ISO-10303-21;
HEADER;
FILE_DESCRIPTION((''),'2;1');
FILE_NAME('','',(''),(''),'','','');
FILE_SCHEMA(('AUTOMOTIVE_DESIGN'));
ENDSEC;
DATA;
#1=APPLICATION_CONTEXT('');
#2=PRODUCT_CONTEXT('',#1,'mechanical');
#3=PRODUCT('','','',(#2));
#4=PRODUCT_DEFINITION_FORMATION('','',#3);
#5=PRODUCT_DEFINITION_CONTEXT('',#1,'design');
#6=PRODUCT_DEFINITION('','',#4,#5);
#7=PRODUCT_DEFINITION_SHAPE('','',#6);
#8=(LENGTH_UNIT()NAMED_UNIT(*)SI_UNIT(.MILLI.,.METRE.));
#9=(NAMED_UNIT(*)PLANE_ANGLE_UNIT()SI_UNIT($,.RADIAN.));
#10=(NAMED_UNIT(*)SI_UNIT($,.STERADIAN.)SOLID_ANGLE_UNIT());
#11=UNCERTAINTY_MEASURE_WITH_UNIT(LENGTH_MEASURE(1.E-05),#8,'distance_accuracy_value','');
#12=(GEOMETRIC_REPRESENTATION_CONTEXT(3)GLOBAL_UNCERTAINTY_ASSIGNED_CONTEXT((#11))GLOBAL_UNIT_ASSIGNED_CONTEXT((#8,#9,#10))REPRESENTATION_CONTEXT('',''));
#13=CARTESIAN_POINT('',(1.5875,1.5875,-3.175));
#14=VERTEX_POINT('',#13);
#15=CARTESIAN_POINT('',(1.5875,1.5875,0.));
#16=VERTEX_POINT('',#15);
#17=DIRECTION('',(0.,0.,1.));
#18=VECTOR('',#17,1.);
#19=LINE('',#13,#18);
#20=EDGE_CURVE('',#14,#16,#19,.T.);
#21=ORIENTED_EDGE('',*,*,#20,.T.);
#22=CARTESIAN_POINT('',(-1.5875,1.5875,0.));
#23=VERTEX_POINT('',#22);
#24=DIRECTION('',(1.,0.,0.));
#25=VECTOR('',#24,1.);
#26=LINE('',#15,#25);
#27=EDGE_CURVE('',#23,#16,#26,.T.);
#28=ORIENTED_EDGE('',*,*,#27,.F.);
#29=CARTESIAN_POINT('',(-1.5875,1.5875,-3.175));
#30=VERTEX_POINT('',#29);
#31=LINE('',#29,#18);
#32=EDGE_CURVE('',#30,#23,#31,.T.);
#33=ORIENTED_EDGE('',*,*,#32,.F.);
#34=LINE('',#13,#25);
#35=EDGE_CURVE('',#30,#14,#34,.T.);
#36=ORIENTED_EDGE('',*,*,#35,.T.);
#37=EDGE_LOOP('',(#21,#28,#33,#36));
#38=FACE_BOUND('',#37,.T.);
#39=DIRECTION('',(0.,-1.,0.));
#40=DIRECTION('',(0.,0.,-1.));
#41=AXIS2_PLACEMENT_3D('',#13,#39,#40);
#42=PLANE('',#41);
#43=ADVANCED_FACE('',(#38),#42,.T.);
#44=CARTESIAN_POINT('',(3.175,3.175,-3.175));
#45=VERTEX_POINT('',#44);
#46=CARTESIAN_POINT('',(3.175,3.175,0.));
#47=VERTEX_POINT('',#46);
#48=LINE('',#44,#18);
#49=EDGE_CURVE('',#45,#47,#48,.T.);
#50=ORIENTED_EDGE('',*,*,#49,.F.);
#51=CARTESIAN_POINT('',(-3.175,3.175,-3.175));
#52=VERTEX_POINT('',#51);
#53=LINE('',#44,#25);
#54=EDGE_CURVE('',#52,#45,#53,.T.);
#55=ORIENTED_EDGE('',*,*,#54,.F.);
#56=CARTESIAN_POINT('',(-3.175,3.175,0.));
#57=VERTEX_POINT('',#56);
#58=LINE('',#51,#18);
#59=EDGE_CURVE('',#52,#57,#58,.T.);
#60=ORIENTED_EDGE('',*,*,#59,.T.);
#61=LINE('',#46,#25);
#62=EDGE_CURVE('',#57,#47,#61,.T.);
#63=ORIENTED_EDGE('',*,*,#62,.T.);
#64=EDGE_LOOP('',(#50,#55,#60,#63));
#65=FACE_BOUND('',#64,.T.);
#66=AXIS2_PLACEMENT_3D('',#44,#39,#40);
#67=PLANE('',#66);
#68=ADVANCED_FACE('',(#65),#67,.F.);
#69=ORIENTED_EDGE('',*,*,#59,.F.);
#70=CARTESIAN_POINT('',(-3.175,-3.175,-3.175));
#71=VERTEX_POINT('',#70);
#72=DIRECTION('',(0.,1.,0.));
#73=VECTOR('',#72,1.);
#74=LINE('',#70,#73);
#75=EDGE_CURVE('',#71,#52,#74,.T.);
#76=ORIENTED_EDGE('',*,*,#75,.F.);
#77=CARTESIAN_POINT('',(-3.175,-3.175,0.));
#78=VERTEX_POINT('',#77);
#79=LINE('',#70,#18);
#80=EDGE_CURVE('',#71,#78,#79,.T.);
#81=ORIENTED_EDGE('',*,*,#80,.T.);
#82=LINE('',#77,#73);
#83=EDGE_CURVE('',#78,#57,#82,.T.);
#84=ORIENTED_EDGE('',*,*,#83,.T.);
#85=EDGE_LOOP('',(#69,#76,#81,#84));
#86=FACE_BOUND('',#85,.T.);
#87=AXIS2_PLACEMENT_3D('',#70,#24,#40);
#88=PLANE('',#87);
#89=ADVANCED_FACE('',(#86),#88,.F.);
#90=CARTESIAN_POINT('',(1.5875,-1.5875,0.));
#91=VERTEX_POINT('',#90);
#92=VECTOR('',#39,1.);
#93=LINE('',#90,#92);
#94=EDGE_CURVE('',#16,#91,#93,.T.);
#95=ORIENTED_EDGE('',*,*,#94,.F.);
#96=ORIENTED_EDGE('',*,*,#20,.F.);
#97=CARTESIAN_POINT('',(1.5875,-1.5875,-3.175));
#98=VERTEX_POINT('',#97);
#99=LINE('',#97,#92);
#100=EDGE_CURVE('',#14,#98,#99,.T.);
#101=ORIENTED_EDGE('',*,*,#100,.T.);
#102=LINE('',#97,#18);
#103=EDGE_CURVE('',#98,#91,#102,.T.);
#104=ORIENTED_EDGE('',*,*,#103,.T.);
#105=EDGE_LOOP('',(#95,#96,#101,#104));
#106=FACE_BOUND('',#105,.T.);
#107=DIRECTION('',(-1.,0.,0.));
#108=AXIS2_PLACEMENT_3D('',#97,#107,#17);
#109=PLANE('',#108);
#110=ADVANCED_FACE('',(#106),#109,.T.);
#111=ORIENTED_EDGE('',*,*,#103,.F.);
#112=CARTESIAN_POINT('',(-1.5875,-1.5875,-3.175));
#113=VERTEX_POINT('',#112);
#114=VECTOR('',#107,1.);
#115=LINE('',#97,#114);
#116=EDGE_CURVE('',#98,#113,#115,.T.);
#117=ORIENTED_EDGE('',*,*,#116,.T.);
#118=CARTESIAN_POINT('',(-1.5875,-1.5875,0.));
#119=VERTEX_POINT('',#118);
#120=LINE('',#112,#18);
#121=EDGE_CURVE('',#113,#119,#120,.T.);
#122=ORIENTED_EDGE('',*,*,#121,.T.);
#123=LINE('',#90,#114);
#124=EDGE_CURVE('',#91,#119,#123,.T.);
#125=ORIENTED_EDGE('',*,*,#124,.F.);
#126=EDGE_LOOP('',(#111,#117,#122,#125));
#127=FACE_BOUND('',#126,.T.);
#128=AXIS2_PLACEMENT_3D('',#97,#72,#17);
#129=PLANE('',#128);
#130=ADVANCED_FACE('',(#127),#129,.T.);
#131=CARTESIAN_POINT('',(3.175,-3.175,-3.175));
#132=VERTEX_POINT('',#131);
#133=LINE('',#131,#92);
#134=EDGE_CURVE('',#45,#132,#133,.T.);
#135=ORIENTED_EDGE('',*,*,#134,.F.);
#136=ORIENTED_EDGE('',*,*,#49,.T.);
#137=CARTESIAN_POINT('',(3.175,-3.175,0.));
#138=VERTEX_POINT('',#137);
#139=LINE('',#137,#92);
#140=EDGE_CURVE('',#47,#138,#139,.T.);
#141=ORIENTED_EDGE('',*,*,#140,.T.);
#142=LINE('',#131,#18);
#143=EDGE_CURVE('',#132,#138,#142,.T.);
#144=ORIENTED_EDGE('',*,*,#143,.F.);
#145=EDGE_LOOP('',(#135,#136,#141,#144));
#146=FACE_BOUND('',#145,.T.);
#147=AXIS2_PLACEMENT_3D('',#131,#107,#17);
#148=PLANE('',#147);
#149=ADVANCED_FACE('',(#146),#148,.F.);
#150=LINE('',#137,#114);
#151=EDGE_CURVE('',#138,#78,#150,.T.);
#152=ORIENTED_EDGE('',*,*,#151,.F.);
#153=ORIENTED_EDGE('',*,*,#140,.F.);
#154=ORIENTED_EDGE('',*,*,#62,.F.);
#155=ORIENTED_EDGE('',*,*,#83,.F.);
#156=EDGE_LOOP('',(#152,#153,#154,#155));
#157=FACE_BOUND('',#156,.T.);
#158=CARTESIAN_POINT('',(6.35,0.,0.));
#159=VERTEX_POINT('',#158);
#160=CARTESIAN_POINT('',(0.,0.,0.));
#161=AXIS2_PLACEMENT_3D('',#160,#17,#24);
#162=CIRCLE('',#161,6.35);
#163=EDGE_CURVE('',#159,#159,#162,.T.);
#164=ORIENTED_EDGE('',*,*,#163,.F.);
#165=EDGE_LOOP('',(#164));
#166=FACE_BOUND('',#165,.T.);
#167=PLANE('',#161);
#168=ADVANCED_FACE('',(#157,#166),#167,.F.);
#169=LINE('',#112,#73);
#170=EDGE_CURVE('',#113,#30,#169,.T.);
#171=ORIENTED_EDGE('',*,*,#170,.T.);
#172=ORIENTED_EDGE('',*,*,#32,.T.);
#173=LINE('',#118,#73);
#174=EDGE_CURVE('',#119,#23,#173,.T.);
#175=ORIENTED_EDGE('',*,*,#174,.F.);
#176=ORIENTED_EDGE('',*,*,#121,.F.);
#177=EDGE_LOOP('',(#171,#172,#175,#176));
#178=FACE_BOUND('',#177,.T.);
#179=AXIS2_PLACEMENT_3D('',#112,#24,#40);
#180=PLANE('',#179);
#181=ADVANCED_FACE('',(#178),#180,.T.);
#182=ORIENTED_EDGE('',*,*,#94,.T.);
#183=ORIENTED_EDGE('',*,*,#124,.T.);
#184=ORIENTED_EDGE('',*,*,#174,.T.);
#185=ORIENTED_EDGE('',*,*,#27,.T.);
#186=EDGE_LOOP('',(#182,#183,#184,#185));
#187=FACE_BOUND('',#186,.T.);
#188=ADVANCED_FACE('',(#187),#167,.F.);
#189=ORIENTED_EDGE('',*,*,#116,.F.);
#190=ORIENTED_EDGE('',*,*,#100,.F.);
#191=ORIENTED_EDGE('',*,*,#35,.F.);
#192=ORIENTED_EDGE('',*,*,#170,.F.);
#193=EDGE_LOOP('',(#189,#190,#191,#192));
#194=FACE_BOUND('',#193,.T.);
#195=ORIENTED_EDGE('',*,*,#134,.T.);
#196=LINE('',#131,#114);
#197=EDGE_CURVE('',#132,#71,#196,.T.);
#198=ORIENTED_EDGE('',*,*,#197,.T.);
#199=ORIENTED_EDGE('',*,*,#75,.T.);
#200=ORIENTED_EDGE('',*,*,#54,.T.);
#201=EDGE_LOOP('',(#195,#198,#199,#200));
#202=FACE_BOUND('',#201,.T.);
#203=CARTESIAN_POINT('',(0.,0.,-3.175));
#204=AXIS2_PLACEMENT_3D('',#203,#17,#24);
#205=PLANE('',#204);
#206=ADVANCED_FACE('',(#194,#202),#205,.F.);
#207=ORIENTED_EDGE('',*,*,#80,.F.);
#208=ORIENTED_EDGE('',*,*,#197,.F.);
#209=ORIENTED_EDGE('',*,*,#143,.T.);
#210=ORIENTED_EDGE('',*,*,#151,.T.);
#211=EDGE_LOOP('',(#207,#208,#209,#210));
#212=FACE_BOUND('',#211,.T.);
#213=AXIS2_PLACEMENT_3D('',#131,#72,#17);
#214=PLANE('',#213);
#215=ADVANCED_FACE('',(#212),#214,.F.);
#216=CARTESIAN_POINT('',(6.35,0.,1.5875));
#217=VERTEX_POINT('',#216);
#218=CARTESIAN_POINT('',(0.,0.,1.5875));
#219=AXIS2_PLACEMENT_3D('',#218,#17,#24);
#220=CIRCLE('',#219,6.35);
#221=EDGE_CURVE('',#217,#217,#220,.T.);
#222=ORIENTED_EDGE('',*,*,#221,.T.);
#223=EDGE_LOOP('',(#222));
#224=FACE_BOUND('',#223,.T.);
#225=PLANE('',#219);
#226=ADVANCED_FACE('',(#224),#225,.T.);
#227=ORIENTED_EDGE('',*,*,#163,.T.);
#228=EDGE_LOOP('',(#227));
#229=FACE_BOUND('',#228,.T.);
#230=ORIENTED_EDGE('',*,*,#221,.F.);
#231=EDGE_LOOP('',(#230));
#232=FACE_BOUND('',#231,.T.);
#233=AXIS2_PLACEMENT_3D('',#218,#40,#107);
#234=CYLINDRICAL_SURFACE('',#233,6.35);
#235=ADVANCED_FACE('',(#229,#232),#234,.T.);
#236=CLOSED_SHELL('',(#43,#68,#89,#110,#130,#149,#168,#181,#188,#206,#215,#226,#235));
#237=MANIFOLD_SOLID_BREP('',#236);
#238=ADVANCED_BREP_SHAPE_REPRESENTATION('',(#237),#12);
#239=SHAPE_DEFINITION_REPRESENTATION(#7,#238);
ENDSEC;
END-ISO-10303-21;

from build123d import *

# Parameters (mm, degrees)
SKETCH2_R           = 6.35
BOSS_EXTRUDE1_DEPTH = 1.5875
SKETCH3_W           = 6.35
SKETCH3_H           = 6.35
SKETCH3_W_2         = 3.175
SKETCH3_H_2         = 3.175
BOSS_EXTRUDE2_DEPTH = 3.175


with BuildPart() as part:
    # Sketch2 → Boss-Extrude1 (new body)
    with BuildSketch(Plane.XY):
        Circle(SKETCH2_R)
    extrude(amount=BOSS_EXTRUDE1_DEPTH)

    # Sketch3 → Boss-Extrude2 (add)
    with BuildSketch(Plane(origin=(0, 0, 0), x_dir=(-1, 0, 0), z_dir=(0, 0, -1))):
        Rectangle(SKETCH3_W, SKETCH3_H)
        Rectangle(SKETCH3_W_2, SKETCH3_H_2, mode=Mode.SUBTRACT)
    extrude(amount=BOSS_EXTRUDE2_DEPTH)


solid = part.part
